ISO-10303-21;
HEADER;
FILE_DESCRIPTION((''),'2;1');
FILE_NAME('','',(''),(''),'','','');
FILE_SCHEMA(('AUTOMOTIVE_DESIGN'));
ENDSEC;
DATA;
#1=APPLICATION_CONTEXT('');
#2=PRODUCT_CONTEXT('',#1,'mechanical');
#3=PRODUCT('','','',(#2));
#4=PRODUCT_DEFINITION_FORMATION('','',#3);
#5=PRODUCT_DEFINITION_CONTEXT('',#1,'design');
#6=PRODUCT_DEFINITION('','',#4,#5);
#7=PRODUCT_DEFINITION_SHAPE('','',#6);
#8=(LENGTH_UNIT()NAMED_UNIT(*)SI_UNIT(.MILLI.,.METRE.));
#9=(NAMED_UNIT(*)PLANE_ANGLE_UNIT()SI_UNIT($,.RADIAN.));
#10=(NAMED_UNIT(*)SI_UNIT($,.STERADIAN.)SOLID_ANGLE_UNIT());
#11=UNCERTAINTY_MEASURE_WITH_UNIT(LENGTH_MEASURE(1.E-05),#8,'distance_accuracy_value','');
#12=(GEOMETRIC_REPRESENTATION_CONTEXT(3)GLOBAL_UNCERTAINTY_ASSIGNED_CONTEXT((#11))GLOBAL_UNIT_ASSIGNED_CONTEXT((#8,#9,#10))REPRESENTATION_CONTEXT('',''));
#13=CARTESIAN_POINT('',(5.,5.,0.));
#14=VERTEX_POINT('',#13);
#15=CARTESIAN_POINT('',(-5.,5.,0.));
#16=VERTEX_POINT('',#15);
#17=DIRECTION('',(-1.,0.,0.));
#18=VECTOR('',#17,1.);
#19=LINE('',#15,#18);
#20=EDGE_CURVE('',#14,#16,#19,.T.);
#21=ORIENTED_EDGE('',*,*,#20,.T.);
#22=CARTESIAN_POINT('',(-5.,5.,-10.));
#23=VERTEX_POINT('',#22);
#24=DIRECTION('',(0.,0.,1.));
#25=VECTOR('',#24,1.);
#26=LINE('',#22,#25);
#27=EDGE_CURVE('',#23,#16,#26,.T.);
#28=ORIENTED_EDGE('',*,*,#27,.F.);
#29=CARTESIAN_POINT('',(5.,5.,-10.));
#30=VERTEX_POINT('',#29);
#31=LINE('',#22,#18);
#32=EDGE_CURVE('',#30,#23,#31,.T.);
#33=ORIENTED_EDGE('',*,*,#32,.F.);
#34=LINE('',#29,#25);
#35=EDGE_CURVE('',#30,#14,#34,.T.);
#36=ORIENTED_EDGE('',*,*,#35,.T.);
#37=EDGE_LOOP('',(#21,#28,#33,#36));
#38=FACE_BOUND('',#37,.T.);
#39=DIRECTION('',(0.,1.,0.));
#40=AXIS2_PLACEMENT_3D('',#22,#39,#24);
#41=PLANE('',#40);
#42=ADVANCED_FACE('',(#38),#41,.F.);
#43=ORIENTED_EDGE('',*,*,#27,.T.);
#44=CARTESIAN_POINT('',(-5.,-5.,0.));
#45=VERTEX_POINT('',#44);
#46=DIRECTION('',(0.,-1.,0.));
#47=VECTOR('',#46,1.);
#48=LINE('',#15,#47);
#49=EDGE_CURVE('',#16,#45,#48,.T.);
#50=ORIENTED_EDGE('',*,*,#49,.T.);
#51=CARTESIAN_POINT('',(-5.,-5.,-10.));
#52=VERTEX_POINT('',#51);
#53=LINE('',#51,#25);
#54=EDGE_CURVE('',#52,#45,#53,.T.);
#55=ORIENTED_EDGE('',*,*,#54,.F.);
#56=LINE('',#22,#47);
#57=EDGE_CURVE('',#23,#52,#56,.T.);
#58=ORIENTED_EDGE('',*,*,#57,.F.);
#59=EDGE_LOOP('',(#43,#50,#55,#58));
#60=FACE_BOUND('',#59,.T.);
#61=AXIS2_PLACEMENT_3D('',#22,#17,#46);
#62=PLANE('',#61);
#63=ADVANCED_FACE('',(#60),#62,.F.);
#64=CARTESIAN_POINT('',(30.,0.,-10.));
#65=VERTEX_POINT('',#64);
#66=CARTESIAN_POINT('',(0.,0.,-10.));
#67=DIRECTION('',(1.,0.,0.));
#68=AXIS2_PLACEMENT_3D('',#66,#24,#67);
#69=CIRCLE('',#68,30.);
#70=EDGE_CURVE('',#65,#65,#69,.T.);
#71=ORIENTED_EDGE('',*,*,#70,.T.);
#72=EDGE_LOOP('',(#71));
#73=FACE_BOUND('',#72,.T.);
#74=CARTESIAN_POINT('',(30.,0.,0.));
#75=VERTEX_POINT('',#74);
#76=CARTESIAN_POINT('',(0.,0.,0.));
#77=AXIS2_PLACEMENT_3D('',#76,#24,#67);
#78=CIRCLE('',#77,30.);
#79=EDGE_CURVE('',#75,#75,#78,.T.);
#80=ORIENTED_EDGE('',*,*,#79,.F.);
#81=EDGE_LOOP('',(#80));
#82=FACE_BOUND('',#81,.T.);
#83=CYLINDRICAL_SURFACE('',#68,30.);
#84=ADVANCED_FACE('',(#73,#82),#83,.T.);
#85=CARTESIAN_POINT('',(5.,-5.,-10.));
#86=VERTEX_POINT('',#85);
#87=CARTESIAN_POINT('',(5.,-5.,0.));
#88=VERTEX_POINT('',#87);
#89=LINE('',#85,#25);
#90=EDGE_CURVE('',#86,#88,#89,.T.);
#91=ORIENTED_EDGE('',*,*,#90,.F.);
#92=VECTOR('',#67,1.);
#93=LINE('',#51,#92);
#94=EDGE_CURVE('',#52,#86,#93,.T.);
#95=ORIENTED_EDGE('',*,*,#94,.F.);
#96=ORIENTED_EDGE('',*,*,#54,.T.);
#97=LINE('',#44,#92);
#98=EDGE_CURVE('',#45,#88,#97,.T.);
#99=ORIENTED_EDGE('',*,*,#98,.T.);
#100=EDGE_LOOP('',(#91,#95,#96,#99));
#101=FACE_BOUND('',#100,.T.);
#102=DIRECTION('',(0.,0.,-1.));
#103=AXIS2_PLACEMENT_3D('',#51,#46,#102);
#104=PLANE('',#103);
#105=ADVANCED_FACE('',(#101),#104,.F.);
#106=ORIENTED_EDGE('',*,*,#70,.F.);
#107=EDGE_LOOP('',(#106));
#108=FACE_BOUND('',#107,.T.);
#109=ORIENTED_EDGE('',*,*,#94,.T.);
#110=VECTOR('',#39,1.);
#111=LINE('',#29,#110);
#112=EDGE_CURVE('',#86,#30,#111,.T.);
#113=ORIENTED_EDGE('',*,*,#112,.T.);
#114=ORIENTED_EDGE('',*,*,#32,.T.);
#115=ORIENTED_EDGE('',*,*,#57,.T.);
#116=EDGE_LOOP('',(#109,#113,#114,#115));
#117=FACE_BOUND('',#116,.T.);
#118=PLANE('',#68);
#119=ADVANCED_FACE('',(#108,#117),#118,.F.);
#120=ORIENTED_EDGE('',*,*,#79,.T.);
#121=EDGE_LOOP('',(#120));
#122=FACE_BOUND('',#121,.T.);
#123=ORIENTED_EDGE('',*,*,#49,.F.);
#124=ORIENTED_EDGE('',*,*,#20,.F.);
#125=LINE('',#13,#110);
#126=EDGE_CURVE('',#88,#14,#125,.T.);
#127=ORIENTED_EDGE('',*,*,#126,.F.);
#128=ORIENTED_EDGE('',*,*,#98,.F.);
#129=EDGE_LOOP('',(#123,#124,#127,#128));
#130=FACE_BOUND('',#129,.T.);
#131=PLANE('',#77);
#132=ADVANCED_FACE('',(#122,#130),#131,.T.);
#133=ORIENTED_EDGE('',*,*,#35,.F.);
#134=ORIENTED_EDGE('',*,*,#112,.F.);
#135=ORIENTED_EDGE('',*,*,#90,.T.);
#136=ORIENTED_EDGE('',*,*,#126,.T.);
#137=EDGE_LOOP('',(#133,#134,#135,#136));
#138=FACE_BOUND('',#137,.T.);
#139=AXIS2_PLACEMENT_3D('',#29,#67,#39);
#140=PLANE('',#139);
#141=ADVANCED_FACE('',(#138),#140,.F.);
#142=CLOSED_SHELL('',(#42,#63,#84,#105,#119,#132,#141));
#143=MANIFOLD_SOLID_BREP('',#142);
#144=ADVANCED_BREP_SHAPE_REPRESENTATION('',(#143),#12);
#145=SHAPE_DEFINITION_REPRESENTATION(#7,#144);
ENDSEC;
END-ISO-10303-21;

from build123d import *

# Parameters (mm, degrees)
SKETCH1_R           = 30
BOSS_EXTRUDE1_DEPTH = 10
SKETCH2_W           = 10
SKETCH2_H           = 10
CUT_EXTRUDE2_DEPTH  = 44.588989435


with BuildPart() as part:
    # Sketch1 → Boss-Extrude1 (new body)
    with BuildSketch(Plane.XY):
        Circle(SKETCH1_R)
    extrude(amount=-BOSS_EXTRUDE1_DEPTH)

    # Sketch2 → Cut-Extrude2 (cut, through all)
    with BuildSketch(Plane.XY):
        Rectangle(SKETCH2_W, SKETCH2_H)
    extrude(amount=-CUT_EXTRUDE2_DEPTH, mode=Mode.SUBTRACT)


solid = part.part
